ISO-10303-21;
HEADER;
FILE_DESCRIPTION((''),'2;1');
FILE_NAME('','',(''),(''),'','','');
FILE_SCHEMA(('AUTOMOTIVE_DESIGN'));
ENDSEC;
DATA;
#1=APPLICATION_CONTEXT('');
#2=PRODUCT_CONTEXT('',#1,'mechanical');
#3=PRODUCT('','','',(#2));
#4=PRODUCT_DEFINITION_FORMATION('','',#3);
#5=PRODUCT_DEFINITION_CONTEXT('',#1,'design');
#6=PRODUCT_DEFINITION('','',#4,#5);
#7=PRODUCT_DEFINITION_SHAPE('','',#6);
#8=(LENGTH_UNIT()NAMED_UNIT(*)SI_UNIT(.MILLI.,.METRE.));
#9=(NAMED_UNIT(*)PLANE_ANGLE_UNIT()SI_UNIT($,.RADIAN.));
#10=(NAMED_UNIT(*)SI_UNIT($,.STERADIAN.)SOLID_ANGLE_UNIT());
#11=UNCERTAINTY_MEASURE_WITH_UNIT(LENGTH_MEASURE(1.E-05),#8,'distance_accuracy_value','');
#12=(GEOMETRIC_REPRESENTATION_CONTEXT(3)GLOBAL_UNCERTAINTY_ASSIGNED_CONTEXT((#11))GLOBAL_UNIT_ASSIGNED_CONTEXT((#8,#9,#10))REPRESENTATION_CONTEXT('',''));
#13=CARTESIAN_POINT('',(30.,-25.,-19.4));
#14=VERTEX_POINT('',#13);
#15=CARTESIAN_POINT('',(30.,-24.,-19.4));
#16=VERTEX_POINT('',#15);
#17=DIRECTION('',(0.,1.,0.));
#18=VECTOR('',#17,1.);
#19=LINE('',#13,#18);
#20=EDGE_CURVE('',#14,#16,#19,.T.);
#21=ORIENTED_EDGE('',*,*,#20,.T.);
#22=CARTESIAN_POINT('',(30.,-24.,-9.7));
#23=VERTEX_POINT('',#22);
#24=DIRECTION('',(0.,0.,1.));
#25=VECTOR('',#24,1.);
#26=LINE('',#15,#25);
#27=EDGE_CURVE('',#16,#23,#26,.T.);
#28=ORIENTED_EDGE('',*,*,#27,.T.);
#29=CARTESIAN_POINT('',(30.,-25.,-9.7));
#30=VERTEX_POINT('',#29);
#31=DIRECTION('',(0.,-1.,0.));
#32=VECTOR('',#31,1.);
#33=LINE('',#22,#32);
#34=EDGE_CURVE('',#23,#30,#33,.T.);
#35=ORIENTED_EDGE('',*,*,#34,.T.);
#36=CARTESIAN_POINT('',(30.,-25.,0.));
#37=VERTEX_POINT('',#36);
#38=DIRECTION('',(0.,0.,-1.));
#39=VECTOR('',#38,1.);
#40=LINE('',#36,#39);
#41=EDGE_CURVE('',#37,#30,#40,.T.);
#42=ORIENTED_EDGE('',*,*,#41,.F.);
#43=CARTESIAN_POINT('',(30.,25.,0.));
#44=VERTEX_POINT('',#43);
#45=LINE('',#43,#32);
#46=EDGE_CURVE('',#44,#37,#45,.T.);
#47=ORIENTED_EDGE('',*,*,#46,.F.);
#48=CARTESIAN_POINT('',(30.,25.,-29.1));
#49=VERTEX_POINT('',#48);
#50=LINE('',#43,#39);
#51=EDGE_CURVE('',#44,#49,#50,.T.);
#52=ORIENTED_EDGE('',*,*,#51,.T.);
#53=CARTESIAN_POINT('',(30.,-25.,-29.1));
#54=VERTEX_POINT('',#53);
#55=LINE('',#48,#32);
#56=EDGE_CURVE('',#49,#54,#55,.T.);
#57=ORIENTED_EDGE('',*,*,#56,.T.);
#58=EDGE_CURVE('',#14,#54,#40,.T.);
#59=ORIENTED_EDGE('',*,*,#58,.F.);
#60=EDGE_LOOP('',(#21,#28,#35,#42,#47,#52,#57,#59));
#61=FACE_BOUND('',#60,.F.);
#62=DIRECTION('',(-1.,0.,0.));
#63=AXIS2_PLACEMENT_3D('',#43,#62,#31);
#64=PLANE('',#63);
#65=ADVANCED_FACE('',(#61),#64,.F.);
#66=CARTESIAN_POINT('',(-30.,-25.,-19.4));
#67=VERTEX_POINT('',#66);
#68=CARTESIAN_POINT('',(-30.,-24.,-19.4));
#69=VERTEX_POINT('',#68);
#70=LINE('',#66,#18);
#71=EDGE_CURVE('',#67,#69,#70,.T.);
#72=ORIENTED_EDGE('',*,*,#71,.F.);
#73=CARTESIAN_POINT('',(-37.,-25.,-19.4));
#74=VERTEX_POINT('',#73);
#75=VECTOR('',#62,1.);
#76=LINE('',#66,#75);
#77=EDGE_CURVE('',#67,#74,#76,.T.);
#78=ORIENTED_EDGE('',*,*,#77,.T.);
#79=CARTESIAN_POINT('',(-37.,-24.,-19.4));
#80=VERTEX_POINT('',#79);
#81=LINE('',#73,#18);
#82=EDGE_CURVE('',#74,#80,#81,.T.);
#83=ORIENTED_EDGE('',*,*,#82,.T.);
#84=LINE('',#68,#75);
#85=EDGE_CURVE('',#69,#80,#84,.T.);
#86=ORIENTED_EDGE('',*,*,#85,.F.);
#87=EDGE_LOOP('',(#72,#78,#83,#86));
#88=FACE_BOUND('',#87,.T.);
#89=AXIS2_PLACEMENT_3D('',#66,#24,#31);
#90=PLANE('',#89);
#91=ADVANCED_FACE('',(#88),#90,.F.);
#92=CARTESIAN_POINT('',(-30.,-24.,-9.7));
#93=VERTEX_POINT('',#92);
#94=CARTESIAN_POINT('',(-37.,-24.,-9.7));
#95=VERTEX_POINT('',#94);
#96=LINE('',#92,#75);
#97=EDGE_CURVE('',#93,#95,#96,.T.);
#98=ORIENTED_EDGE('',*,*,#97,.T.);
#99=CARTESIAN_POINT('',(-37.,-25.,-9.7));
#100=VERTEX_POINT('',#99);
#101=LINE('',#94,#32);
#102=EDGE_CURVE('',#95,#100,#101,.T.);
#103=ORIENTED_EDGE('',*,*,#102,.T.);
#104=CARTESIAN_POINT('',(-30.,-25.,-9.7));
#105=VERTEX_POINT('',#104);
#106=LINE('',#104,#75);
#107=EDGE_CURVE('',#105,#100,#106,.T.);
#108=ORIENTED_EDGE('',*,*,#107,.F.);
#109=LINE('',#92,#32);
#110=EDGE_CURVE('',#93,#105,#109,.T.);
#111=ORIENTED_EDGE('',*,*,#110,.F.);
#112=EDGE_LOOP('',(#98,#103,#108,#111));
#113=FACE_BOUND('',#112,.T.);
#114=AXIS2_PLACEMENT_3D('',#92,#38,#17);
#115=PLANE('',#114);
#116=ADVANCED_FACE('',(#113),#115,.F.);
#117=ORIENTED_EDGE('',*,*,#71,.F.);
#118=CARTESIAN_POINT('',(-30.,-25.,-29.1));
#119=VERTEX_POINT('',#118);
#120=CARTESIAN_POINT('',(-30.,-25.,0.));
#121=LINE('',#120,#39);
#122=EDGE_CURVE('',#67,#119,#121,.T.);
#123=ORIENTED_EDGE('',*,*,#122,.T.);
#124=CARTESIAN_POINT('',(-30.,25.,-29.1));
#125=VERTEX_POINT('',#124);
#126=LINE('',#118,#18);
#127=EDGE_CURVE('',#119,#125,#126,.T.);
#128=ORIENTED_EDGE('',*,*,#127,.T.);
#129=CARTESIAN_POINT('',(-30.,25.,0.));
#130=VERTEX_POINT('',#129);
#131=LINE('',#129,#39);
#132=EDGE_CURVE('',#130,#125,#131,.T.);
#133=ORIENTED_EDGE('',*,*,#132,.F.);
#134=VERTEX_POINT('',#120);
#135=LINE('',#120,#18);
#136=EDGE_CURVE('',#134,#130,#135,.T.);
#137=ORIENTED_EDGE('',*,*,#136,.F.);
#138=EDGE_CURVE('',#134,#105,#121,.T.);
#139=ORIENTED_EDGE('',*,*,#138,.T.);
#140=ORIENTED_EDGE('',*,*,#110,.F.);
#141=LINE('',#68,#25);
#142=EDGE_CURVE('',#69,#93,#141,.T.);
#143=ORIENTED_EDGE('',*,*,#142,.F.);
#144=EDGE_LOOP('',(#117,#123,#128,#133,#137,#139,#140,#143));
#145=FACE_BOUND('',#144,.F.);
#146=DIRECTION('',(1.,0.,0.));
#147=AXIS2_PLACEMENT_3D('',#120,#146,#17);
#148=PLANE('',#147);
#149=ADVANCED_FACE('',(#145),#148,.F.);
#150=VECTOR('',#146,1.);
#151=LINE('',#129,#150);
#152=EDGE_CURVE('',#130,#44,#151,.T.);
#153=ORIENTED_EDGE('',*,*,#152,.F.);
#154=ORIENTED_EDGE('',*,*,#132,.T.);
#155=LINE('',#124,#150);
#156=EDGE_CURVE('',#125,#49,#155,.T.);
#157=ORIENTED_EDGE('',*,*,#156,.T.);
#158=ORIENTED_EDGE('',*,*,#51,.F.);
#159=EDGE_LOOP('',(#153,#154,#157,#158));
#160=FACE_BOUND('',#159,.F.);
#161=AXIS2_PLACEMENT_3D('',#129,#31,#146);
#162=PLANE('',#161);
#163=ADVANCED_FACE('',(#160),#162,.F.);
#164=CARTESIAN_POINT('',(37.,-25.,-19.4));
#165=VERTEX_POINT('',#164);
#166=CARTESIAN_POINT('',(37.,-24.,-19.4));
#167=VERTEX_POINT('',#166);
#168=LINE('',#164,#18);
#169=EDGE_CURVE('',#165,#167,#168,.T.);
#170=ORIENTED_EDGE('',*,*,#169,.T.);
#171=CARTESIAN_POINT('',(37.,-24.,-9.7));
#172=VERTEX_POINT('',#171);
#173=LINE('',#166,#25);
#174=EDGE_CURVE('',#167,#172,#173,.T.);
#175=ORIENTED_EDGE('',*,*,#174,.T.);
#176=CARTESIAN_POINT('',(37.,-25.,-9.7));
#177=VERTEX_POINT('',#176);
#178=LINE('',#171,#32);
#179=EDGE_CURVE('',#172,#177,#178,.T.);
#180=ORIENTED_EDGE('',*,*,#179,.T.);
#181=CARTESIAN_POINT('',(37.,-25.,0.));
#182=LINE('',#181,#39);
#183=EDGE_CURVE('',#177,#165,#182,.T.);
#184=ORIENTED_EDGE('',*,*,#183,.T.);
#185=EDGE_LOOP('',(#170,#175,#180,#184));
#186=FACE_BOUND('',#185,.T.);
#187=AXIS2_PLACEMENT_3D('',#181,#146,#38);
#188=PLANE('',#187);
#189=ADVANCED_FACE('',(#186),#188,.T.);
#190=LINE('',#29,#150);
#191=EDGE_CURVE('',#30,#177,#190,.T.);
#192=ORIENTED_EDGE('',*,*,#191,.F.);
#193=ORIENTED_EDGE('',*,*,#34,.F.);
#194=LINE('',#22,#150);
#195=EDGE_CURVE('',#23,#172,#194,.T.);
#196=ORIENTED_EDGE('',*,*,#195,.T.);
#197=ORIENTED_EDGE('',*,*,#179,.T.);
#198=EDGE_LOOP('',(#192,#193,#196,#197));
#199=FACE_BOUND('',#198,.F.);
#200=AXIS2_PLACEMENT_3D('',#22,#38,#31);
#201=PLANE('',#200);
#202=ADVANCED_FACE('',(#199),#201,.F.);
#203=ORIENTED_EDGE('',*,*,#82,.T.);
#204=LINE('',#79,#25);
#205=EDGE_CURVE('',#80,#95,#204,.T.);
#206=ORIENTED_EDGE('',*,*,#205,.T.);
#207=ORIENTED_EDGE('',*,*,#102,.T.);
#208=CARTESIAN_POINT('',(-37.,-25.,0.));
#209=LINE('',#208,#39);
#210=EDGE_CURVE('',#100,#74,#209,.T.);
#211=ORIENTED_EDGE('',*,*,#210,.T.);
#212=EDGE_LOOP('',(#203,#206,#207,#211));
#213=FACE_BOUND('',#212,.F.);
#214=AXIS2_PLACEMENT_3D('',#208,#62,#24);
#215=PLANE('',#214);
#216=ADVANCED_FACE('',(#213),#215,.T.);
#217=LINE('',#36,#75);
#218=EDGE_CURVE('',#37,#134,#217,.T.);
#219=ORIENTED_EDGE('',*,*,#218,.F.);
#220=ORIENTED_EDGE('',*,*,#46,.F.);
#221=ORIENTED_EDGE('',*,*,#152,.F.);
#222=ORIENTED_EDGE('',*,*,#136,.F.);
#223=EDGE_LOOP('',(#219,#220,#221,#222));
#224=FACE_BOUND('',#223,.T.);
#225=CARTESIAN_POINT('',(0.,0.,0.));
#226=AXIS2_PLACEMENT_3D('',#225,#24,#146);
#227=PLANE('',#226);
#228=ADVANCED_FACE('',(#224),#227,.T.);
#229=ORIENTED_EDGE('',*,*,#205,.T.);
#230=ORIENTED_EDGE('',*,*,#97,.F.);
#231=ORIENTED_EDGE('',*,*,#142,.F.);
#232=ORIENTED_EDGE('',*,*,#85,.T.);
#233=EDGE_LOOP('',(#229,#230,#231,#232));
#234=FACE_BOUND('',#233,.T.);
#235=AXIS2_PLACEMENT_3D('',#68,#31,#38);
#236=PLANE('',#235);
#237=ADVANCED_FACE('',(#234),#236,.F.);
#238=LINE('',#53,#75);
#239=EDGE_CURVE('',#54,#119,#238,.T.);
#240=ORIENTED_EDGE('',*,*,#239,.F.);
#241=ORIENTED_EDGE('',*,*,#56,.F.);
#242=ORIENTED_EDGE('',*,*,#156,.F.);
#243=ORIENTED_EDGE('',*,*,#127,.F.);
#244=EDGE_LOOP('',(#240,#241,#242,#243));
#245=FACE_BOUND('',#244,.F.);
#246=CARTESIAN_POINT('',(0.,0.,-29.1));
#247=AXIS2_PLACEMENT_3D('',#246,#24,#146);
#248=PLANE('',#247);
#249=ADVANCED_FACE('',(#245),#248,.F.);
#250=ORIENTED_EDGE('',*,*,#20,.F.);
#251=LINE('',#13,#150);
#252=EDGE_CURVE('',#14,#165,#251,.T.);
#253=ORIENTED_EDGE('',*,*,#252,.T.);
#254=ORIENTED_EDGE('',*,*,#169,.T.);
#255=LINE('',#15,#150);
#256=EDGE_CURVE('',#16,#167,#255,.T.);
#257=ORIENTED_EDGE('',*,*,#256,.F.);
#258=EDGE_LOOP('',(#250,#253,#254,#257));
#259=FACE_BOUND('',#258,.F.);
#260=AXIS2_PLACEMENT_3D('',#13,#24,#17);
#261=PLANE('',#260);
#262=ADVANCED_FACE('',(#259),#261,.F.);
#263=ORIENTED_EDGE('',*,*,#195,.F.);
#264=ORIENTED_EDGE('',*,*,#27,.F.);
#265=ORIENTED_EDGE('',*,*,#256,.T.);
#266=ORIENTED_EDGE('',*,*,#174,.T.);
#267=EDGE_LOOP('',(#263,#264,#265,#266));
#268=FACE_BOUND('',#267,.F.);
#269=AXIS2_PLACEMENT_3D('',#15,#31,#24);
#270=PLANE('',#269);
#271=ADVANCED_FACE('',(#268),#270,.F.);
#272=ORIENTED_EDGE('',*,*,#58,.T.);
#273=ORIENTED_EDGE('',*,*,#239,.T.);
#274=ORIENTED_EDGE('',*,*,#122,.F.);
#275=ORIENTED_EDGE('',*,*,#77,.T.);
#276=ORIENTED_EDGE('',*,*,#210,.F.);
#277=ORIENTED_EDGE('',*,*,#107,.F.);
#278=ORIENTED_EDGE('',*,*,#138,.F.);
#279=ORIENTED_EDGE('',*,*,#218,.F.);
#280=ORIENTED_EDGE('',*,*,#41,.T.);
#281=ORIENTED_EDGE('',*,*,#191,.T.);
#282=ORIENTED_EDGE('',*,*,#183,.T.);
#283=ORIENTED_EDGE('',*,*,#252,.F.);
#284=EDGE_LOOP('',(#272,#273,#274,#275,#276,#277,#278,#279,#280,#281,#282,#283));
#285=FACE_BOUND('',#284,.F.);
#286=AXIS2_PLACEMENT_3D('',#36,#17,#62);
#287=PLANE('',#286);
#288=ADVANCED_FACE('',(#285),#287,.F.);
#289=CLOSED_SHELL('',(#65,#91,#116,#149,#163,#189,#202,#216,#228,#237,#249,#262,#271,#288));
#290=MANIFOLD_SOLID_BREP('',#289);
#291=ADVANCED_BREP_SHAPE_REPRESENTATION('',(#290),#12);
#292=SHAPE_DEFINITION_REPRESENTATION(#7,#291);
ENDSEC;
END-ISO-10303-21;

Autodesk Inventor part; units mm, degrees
ref_plane "YZ Plane" through (0, 0, 0) normal (1, 0, 0) x (0, 1, 0)
ref_plane "XZ Plane" through (0, 0, 0) normal (0, 1, 0) x (-1, 0, 0)
ref_plane "XY Plane" through (0, 0, 0) normal (0, 0, 1) x (1, 0, 0)
sketch "Skizze1" plane through (0, 0, 0) normal (0, 0, 1) x (1, 0, 0)
  line L0 (30, -25) -> (-30, -25)
  line L1 (-30, -25) -> (-30, 25)
  line L2 (-30, 25) -> (30, 25)
  line L3 (30, 25) -> (30, -25)
  point P0 (0, 0)
  point P1 (-30, 0)
  point P2 (0, 25)
  dimension "d0" = 50
  dimension "d1" = 60
extrude "Extrusion1" add sketch "Skizze1" against normal blind 29.1
sketch "Skizze2" plane through (0, 0, 0) normal (0, 0, 1) x (1, 0, 0)
  line L0 (-30, -25) -> (30, -25) projected
  circle A0 centre (0, 6.981) radius 5
  point P0 (0, 0)
  dimension "d4" = 31.981
  dimension "d5" = 10
sketch "Skizze4" plane through (30, -25, 0) normal (1, 0, 0) x (0, 0, -1)
  line L0 (0, 0) -> (0, 50) projected
  line L1 (0, 0) -> (29.1, 0) projected
  line L2 (29.1, 0) -> (19.4, 0)
  line L3 (9.7, 0) -> (19.4, 0)
  line L4 (19.4, 0) -> (19.4, 1)
  line L5 (19.4, 1) -> (9.7, 1)
  line L6 (9.7, 1) -> (9.7, 0)
  point P0 (0, 25)
extrude "Extrusion3" add sketch "Skizze4" along normal blind 7
mirror "Spiegeln1" about plane through (0, 0, 0) normal (1, 0, 0) of "Extrusion3"
sketch "Skizze5" plane through (30, -24, -9.7) normal (0, 1, 0) x (1, 0, 0)
  line L0 (7, 0) -> (7, 9.7) projected
  line L1 (0, -9.7) -> (0, 19.4) projected
  line L2 (0, -9.7) -> (0, 0) projected
  line L3 (-60, 9.7) -> (-60, 0) projected
  line L4 (-60, 9.7) -> (-67, 9.7) projected
  line L5 (-67, 9.7) -> (-67, 0) projected
  point P0 (-30, -9.7)
  point P1 (3.5, 4.7412)
  point P2 (-63.5, 4.85)
properties part number "Motor" material "Gold"
